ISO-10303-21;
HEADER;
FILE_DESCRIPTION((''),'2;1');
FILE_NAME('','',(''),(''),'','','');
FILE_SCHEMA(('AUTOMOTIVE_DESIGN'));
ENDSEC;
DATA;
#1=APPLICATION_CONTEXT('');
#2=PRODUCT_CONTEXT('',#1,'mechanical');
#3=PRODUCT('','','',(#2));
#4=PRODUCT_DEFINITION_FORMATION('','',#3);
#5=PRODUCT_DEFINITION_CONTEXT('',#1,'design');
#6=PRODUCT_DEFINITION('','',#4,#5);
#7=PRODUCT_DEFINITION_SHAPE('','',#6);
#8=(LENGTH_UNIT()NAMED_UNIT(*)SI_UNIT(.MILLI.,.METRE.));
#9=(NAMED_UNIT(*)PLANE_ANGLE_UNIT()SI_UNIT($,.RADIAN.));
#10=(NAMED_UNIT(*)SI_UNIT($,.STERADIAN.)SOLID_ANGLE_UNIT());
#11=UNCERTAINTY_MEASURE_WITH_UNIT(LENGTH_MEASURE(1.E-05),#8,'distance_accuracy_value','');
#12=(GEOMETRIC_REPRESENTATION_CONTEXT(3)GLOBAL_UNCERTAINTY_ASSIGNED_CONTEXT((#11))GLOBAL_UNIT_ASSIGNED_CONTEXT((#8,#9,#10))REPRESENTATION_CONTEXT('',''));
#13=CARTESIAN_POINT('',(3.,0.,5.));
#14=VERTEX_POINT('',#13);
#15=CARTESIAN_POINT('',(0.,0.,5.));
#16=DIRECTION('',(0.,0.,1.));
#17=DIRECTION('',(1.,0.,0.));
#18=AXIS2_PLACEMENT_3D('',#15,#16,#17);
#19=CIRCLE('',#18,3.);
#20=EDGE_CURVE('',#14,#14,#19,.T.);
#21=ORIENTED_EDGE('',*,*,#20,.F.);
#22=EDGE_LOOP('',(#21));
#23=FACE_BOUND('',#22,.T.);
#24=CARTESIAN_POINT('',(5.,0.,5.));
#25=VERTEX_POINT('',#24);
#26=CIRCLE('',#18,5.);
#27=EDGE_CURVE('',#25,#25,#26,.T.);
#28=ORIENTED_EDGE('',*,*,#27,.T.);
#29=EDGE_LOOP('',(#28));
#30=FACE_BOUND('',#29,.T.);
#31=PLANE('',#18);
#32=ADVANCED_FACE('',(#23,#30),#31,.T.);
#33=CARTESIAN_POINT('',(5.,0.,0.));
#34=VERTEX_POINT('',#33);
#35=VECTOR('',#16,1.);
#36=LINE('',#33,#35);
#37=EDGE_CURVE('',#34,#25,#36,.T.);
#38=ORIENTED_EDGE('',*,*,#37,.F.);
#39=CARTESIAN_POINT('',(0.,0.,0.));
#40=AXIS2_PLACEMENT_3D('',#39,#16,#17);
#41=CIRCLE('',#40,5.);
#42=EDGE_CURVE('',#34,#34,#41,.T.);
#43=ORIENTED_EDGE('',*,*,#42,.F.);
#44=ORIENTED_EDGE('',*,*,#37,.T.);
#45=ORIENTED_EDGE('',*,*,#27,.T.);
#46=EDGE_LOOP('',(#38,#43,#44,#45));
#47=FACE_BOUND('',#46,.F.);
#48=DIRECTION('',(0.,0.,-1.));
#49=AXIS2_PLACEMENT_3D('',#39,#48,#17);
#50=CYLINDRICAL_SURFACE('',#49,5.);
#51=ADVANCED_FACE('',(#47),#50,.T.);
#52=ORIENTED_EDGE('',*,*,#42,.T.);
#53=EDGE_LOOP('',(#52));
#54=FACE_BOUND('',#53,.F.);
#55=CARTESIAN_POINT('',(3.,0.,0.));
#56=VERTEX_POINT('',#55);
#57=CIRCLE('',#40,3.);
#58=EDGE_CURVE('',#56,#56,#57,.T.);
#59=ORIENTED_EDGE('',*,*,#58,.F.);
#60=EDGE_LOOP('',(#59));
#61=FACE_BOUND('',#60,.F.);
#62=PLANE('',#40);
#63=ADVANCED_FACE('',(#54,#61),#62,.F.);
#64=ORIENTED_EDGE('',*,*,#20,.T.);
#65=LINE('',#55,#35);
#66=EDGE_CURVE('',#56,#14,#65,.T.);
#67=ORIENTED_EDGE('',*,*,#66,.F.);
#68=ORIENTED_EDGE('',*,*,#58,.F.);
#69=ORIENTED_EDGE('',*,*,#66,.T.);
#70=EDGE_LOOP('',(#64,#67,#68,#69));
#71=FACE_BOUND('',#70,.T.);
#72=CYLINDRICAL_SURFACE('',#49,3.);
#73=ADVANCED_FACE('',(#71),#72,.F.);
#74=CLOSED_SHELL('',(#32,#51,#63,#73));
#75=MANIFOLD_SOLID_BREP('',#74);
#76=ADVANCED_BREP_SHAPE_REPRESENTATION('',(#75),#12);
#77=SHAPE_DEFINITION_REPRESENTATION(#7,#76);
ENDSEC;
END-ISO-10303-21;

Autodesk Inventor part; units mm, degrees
ref_plane "YZ Plane" through (0, 0, 0) normal (1, 0, 0) x (0, 1, 0)
ref_plane "XZ Plane" through (0, 0, 0) normal (0, 1, 0) x (-1, 0, 0)
ref_plane "XY Plane" through (0, 0, 0) normal (0, 0, 1) x (1, 0, 0)
sketch "スケッチ1" plane through (0, 0, 0) normal (0, 0, 1) x (1, 0, 0)
  circle A0 centre (0, 0) radius 5
  circle A1 centre (0, 0) radius 3
  dimension "d0" = 10
  dimension "d1" = 6
extrude "押し出し1" add sketch "スケッチ1" along normal blind 5
properties part number "スペーサーM6L5樹脂" material "アセタール樹脂、白"
